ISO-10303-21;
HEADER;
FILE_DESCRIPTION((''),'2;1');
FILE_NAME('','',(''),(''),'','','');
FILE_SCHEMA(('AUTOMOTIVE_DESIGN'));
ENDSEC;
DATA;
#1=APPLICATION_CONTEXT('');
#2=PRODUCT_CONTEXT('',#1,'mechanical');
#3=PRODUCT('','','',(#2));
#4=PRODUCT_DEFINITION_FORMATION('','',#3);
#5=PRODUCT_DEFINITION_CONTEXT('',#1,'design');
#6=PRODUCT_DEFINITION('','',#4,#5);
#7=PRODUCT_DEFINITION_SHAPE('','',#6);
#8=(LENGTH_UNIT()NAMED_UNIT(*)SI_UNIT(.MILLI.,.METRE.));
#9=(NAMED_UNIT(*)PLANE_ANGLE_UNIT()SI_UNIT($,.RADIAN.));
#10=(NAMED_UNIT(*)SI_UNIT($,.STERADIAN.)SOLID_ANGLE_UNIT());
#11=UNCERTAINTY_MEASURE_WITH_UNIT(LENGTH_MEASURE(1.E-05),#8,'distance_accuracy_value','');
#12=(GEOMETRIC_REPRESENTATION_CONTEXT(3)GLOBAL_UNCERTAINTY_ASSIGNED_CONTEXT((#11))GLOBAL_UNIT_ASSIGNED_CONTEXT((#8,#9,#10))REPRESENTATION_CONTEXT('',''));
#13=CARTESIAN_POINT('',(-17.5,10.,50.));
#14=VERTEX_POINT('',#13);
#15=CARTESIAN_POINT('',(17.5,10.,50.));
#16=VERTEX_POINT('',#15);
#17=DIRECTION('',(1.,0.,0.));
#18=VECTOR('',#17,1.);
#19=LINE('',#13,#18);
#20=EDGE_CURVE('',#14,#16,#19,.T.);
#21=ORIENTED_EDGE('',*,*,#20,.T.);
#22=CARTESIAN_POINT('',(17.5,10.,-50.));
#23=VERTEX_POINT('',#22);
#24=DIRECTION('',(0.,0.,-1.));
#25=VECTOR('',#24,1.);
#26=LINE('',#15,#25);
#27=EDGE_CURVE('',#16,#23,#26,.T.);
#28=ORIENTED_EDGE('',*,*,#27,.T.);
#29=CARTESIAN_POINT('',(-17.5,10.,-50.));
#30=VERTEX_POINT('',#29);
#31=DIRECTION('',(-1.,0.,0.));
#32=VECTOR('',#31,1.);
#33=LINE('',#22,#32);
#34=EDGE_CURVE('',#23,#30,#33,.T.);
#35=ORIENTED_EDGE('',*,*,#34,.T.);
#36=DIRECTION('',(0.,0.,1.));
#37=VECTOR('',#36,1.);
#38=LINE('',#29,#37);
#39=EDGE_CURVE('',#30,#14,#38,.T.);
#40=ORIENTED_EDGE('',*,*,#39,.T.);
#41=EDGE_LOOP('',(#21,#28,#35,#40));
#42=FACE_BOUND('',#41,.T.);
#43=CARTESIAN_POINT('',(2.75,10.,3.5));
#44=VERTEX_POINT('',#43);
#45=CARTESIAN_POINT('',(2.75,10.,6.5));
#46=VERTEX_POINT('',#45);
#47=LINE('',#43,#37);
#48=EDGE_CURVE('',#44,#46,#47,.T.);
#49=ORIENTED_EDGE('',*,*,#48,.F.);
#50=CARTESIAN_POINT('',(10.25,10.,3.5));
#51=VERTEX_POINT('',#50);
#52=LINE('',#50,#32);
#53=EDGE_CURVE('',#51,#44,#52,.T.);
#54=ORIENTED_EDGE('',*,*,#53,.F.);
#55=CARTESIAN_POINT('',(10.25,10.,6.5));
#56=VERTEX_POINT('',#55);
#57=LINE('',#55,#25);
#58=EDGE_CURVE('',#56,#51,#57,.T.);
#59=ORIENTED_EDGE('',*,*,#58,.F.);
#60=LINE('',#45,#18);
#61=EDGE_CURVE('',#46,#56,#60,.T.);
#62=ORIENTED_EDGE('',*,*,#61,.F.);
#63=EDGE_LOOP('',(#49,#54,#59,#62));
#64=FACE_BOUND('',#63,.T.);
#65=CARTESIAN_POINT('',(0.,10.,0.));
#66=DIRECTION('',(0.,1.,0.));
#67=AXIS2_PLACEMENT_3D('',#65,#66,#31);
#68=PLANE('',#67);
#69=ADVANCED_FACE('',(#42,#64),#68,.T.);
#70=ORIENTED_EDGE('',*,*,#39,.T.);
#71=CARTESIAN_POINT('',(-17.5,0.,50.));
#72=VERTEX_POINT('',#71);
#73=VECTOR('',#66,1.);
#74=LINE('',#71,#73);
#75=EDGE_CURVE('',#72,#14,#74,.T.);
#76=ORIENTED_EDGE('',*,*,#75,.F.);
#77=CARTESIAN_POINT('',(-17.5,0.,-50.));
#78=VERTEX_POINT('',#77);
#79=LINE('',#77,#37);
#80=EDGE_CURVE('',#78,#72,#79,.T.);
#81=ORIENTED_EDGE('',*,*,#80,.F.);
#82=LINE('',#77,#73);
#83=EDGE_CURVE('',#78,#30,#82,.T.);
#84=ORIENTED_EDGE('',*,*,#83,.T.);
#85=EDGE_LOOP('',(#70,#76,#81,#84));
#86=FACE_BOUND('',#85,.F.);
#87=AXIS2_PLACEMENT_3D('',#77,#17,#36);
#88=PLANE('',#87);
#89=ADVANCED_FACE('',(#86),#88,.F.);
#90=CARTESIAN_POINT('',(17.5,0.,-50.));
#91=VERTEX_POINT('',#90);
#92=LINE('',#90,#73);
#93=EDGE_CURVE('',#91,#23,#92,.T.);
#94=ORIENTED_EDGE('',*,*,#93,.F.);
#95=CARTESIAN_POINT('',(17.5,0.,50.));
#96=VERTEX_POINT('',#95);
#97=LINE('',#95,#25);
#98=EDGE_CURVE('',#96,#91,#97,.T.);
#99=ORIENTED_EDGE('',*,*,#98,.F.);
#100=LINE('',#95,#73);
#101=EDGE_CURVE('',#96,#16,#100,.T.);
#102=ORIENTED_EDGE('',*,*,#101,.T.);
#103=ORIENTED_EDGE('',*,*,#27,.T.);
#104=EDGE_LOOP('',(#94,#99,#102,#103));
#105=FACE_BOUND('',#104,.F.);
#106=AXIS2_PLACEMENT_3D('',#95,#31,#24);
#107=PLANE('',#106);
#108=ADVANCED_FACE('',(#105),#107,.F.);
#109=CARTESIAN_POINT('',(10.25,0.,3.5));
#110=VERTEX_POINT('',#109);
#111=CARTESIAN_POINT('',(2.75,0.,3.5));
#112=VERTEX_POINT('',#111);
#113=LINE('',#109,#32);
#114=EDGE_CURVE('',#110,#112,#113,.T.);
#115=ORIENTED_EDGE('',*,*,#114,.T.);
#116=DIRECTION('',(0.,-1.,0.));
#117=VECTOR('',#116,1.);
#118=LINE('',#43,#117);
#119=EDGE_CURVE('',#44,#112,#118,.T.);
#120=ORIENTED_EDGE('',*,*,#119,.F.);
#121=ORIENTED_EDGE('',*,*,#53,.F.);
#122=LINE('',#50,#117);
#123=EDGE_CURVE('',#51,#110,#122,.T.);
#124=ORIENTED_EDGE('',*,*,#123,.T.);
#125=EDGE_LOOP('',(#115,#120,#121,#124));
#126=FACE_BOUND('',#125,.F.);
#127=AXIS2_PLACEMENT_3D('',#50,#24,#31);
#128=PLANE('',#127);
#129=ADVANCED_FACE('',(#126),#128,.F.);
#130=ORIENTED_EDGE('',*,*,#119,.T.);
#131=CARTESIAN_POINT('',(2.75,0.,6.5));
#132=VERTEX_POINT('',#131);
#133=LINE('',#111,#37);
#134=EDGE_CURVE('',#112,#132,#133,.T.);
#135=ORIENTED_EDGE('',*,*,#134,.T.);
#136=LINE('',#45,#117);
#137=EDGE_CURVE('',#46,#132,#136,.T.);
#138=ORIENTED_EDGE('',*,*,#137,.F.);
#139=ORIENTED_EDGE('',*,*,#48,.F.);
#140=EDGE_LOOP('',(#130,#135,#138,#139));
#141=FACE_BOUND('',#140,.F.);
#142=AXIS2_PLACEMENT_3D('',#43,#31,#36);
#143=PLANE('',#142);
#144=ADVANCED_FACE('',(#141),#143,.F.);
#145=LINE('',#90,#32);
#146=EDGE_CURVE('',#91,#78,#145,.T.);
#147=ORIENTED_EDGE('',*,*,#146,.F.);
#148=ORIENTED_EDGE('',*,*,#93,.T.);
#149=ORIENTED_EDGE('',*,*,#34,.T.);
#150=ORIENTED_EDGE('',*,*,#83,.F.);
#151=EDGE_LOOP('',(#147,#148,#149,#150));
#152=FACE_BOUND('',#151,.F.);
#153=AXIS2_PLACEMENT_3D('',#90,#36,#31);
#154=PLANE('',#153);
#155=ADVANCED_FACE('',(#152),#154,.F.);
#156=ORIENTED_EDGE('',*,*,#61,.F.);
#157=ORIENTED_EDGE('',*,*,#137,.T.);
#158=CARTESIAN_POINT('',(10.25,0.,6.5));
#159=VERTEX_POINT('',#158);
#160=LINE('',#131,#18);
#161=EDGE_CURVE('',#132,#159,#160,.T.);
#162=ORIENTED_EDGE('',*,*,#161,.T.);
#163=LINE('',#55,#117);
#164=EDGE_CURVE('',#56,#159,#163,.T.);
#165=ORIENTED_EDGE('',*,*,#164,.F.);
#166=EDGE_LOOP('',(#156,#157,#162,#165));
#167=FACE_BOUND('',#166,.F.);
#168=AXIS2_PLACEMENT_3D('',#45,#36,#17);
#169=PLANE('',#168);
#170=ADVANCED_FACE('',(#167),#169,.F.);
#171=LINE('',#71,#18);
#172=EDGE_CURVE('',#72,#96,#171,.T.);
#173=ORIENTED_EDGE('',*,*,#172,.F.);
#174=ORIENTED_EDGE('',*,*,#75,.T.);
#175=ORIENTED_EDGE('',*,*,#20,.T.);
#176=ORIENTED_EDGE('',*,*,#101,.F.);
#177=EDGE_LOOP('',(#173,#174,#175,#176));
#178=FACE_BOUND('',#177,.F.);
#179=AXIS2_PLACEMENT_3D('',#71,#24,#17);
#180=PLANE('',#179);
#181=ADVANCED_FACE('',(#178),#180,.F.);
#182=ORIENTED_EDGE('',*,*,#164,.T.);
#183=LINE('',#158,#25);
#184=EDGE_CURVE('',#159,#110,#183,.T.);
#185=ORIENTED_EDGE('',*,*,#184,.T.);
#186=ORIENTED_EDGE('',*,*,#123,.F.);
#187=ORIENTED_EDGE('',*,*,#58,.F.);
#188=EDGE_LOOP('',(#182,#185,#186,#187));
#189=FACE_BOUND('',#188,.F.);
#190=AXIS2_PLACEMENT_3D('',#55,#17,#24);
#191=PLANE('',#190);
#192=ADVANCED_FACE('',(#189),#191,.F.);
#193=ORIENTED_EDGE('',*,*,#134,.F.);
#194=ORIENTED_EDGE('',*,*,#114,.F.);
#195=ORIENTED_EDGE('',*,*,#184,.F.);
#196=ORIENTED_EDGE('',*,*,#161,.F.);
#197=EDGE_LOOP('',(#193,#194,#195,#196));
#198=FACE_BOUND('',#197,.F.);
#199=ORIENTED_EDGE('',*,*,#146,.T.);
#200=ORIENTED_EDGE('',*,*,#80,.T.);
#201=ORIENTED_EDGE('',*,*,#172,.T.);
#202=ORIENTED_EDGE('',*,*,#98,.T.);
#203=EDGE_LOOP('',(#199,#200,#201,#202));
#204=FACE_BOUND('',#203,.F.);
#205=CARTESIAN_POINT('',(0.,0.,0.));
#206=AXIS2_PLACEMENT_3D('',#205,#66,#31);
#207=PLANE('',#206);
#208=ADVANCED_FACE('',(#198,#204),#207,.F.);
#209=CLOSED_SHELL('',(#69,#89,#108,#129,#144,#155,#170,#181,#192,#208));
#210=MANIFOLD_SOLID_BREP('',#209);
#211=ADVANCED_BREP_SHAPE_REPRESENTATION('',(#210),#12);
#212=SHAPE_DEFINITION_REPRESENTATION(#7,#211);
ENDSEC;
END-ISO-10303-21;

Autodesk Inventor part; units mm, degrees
ref_plane "YZ Plane" through (0, 0, 0) normal (1, 0, 0) x (0, 1, 0)
ref_plane "XZ Plane" through (0, 0, 0) normal (0, 1, 0) x (-1, 0, 0)
ref_plane "XY Plane" through (0, 0, 0) normal (0, 0, 1) x (1, 0, 0)
sketch "Sketch1" plane through (0, 0, 0) normal (0, 1, 0) x (-1, 0, 0)
  line L0 (-17.5, -50) -> (17.5, -50)
  line L1 (17.5, -50) -> (17.5, 50)
  line L2 (17.5, 50) -> (-17.5, 50)
  line L3 (-17.5, 50) -> (-17.5, -50)
  line L4 (-17.5, -50) -> (17.5, 50) construction
  line L5 (17.5, -50) -> (-17.5, 50) construction
  point P0 (0, 0)
  dimension "d0" = 35
  dimension "d1" = 100
extrude "Extrusion1" add sketch "Sketch1" along normal blind 10
sketch "Sketch3" plane through (0, 10, 0) normal (0, 1, 0) x (1, 0, 0)
  line L0 (2.75, -6.5) -> (10.25, -6.5)
  line L1 (10.25, -6.5) -> (10.25, -3.5)
  line L2 (10.25, -3.5) -> (2.75, -3.5)
  line L3 (2.75, -3.5) -> (2.75, -6.5)
  line L4 (2.75, -6.5) -> (10.25, -3.5) construction
  line L5 (10.25, -6.5) -> (2.75, -3.5) construction
  line L6 (-17.5, 50) -> (-17.5, -50) projected
  line L7 (-24.5, 0) -> (24.5, 0) projected
  line L8 (17.5, -50) -> (17.5, 50) projected
  point P0 (0, 0)
  point P1 (6.5, 0)
  point P2 (6.5, 0)
  point P3 (6.5, -5)
  dimension "d11" = 7.5
  dimension "d14" = 7.25
  dimension "d15" = 3
  dimension "d17" = 3.5
extrude "Extrusion3" cut sketch "Sketch3" against normal blind 10
properties part number "floor_side"
